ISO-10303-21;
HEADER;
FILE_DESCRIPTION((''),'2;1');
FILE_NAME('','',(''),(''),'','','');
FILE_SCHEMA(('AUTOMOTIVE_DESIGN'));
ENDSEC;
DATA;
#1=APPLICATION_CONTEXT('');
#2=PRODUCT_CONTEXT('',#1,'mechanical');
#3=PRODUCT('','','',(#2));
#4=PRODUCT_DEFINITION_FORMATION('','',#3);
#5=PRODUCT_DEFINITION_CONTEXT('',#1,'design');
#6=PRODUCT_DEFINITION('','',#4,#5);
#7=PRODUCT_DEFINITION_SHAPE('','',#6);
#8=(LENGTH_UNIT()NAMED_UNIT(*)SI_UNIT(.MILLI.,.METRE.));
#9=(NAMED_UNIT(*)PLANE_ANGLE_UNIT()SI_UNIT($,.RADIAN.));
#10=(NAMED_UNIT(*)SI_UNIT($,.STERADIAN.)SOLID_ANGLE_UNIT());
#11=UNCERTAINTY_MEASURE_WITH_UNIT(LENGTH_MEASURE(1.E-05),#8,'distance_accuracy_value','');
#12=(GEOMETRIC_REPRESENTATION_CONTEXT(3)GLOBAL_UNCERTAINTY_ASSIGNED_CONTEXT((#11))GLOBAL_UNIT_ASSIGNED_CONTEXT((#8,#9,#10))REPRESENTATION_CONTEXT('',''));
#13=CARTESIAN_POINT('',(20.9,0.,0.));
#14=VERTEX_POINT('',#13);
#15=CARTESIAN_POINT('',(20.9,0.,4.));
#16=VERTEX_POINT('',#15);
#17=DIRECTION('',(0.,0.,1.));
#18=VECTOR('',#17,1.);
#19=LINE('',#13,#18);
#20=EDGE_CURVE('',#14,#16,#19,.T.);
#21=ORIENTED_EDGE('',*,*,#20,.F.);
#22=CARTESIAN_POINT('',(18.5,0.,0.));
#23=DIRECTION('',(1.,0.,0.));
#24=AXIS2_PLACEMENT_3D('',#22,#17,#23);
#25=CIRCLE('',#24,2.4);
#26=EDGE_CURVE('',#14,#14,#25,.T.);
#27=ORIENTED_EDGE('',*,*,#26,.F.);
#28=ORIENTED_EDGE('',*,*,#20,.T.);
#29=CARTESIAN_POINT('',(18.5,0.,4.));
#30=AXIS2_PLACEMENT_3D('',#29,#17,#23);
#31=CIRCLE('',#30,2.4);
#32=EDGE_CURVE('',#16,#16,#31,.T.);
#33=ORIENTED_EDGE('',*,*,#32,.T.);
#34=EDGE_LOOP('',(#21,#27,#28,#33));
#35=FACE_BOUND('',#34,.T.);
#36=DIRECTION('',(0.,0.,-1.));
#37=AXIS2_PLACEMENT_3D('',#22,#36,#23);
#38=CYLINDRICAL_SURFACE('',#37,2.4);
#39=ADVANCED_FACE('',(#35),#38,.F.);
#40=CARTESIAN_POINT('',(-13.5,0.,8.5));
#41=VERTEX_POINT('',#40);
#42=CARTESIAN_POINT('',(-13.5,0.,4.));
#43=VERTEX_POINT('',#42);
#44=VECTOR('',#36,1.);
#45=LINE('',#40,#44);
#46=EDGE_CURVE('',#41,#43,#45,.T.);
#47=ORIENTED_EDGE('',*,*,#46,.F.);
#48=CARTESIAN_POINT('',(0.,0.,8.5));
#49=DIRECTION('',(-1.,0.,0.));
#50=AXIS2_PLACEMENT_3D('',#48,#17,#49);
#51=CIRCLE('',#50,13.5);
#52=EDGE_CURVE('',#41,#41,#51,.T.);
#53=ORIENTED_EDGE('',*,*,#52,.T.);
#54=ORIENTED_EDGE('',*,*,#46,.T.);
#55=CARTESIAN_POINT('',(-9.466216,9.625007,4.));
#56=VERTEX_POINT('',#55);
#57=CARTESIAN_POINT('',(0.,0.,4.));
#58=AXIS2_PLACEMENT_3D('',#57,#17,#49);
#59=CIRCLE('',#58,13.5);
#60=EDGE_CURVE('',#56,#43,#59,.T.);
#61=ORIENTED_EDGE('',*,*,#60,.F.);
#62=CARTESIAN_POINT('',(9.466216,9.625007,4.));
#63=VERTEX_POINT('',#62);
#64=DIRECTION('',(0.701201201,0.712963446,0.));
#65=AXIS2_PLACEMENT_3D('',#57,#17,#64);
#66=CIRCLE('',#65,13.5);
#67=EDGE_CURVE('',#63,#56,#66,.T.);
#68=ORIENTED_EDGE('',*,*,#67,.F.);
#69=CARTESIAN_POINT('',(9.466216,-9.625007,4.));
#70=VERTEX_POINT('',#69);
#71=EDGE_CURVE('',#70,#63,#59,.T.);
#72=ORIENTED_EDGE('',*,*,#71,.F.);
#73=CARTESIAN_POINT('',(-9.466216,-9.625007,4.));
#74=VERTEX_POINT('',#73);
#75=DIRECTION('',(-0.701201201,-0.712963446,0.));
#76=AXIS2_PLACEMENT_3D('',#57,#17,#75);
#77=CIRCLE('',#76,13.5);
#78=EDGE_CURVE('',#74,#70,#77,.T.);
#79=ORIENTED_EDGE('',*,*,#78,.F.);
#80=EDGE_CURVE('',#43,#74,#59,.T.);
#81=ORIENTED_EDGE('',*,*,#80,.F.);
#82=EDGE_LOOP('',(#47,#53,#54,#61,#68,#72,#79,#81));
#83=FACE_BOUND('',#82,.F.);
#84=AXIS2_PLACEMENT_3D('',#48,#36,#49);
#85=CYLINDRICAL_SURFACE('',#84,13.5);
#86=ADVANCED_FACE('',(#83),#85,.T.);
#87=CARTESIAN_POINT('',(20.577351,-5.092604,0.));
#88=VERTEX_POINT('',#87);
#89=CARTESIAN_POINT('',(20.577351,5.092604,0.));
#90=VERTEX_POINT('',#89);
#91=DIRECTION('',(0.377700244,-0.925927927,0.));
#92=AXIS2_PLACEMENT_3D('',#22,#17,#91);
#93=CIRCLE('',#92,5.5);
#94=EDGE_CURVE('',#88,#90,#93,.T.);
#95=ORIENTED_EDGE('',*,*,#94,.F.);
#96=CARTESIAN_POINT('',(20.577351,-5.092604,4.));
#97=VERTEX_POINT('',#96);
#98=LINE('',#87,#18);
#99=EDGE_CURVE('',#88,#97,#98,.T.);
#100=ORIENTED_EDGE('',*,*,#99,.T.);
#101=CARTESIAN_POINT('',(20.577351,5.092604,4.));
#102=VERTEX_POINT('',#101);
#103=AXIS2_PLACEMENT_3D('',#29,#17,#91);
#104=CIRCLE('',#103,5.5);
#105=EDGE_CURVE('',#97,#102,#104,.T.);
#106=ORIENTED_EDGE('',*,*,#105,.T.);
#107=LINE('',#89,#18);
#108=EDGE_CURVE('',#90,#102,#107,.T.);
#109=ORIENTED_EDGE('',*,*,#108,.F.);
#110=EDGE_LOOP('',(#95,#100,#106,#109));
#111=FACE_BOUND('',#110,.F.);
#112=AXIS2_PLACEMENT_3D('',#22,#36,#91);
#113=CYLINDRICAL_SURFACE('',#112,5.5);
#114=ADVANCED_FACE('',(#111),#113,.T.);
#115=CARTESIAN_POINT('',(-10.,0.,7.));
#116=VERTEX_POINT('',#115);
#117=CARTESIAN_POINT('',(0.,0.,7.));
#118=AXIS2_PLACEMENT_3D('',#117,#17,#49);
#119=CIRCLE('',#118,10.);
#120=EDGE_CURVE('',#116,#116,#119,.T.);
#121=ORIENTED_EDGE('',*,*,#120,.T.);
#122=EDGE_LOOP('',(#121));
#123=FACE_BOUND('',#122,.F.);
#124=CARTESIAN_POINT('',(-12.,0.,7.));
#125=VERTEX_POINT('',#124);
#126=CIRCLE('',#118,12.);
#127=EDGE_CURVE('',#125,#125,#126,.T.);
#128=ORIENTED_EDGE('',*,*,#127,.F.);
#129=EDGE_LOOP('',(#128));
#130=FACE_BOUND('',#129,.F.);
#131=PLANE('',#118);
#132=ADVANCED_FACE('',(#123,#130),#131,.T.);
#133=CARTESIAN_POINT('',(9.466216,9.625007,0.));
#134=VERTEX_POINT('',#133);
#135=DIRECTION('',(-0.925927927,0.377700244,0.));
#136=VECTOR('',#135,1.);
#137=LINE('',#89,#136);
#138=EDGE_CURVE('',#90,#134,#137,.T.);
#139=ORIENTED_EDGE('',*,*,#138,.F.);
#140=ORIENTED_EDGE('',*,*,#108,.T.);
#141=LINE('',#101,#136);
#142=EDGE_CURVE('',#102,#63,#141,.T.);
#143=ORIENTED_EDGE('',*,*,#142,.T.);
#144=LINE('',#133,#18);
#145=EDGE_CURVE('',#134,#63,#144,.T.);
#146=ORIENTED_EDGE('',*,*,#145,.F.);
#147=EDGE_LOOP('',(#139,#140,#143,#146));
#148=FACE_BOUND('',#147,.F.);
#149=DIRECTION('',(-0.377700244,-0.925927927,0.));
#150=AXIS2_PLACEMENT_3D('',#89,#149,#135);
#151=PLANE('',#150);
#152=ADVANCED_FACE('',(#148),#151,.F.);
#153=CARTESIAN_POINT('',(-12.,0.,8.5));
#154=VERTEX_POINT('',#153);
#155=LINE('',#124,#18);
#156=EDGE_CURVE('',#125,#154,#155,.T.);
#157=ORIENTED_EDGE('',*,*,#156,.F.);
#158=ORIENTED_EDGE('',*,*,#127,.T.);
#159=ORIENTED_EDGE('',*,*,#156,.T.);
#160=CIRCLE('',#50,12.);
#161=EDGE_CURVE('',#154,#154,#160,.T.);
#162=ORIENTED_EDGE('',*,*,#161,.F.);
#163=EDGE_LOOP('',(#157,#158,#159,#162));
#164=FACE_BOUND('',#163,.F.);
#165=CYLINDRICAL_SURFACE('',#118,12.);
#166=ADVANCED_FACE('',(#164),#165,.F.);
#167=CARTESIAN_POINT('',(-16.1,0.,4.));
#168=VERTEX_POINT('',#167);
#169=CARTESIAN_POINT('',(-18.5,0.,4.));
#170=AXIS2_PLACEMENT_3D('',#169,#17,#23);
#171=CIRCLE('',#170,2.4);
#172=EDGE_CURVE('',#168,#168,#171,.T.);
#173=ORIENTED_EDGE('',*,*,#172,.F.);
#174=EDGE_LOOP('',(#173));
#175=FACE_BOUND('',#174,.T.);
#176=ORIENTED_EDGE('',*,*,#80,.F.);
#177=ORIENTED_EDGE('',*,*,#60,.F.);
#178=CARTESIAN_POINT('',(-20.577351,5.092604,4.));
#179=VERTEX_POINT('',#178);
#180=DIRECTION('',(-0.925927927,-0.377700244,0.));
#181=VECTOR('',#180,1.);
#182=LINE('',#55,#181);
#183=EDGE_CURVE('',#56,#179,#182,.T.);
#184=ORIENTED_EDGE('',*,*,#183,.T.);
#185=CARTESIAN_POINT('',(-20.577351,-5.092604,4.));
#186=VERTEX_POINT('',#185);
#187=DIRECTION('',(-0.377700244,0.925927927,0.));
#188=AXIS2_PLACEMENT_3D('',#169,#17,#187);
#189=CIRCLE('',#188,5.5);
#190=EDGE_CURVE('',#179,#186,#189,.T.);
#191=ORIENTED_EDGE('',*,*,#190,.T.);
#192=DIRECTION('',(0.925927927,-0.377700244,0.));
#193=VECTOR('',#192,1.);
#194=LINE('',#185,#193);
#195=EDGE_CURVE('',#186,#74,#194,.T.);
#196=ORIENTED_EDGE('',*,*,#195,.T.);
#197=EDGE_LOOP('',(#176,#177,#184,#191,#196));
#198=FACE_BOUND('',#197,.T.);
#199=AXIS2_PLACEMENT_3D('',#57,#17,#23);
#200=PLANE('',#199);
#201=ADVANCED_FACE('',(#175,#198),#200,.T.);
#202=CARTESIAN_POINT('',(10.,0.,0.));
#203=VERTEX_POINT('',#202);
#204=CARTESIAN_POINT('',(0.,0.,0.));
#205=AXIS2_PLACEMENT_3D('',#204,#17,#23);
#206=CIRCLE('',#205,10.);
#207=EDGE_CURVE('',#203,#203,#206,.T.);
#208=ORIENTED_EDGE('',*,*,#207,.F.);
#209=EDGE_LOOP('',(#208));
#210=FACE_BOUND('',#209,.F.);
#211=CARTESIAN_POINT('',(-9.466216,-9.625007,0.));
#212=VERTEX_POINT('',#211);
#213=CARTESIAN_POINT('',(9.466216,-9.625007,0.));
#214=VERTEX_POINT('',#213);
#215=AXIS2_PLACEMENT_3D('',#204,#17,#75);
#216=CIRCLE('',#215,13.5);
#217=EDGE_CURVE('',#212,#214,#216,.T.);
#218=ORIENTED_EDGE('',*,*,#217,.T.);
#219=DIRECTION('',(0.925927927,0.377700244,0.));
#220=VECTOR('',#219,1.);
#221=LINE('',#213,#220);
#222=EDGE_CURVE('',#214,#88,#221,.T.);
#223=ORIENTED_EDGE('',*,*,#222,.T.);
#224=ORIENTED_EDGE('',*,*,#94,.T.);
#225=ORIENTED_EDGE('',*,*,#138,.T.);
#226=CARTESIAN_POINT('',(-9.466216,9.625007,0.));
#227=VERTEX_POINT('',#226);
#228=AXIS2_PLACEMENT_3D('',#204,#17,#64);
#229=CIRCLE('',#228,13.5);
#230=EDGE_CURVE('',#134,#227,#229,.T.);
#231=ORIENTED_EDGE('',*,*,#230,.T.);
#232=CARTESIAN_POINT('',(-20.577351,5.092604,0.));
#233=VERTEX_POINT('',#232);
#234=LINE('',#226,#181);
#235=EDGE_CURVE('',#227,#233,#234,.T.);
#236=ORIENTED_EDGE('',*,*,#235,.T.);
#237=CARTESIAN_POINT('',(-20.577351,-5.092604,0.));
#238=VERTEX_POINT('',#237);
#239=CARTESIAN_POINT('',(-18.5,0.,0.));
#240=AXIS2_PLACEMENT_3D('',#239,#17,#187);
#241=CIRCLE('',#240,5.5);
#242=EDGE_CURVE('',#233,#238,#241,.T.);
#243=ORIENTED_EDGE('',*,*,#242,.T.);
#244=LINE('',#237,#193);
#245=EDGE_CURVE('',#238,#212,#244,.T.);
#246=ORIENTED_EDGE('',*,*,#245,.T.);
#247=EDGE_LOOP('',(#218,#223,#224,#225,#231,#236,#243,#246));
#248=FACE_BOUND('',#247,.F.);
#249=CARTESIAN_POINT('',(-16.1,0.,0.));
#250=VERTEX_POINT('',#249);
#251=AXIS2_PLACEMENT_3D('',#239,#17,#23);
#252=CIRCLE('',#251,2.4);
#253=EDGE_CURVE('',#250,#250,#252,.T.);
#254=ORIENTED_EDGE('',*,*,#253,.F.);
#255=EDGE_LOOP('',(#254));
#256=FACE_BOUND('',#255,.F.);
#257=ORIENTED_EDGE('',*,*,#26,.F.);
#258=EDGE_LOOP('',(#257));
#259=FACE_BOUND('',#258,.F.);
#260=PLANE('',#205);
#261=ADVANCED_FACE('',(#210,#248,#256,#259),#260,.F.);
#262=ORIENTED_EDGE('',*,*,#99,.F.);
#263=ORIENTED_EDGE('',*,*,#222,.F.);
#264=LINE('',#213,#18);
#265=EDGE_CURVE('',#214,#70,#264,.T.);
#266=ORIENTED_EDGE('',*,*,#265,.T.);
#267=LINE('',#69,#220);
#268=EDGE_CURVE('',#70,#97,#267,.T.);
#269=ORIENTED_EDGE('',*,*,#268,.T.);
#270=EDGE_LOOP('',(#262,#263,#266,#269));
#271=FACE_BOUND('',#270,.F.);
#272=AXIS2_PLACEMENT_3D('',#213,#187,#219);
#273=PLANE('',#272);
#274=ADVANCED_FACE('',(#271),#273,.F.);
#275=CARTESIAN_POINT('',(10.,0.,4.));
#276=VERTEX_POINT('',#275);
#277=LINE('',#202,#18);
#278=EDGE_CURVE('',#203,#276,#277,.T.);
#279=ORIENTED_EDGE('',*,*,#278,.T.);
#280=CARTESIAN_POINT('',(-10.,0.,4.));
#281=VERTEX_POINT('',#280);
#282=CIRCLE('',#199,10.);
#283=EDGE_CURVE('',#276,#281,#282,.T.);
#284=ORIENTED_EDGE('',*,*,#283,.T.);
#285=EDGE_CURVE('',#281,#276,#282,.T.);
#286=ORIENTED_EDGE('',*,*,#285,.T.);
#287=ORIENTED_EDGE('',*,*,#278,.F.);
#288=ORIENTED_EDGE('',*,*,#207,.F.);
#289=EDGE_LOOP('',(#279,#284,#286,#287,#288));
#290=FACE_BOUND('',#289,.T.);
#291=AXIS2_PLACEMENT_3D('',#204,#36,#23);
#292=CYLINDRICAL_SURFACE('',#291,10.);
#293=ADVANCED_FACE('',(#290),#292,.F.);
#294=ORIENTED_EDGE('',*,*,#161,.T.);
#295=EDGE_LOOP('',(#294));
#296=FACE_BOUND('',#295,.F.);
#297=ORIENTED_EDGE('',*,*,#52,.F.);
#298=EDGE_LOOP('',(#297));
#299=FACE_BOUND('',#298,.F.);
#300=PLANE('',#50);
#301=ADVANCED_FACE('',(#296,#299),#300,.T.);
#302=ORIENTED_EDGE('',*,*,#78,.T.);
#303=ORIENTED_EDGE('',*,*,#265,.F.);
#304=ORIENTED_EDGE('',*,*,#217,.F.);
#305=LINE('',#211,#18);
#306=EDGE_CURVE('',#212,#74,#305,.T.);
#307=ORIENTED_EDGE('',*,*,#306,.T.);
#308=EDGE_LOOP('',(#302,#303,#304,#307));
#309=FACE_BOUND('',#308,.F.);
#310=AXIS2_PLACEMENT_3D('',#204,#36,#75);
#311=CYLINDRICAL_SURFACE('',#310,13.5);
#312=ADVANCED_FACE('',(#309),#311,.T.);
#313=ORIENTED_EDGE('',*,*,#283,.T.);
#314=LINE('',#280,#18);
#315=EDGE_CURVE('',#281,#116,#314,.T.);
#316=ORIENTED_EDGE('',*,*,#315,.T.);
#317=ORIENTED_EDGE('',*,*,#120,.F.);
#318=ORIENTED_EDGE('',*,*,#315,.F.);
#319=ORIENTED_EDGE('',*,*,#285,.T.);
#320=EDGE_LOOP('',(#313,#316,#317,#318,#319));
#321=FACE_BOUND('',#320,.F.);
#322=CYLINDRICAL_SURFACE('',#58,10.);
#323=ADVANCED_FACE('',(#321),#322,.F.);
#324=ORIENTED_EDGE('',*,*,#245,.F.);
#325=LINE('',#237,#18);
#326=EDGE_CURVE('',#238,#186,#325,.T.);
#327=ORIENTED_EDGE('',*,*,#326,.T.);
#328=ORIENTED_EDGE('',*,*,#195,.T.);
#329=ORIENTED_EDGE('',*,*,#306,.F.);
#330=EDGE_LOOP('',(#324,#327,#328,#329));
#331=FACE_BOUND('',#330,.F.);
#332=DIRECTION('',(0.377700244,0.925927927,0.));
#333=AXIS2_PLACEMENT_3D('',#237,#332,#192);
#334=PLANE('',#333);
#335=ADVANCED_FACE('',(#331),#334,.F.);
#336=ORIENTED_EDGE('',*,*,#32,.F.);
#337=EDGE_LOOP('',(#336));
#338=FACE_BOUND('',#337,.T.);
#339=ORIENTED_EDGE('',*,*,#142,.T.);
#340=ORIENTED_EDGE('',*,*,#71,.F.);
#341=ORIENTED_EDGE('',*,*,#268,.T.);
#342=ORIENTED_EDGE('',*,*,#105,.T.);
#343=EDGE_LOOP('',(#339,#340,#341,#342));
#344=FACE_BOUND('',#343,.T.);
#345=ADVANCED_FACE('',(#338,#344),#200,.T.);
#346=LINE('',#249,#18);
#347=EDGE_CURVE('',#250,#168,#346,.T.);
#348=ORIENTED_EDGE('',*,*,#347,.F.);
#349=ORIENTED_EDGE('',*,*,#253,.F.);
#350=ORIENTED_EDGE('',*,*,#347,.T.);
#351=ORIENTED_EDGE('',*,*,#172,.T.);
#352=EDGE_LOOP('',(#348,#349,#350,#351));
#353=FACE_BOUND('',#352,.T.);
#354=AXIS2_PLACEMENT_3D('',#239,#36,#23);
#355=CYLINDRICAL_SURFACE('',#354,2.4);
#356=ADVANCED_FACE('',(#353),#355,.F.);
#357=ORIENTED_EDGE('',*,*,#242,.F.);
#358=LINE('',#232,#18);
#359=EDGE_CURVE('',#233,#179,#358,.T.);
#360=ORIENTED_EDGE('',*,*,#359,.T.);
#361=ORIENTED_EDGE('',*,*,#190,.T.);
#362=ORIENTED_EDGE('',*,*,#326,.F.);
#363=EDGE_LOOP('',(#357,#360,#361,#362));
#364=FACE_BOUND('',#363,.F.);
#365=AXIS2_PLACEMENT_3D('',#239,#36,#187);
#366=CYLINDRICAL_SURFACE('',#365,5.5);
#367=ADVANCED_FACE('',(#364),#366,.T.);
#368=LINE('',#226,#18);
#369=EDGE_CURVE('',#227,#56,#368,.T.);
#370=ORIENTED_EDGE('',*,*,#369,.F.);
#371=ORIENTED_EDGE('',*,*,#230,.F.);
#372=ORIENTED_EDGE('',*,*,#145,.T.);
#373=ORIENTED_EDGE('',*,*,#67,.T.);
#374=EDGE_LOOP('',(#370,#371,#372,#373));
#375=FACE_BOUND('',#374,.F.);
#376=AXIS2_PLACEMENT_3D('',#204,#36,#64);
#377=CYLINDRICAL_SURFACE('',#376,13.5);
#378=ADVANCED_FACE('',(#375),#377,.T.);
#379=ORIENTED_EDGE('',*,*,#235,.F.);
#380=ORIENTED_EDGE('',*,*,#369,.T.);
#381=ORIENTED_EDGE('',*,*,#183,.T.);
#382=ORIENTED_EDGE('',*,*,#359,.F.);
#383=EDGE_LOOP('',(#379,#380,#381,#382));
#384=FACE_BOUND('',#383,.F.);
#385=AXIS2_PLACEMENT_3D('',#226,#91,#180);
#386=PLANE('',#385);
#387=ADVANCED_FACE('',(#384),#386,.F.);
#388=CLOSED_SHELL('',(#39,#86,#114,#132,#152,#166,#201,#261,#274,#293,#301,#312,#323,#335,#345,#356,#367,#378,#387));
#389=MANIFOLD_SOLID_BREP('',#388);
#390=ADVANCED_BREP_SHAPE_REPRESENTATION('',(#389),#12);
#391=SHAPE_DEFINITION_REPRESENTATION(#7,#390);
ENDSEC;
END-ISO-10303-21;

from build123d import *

# Parameters (mm, degrees)
F1_R     = 2.4
F1_R_2   = 10
F2_DEPTH = 4


with BuildPart() as f2:
    # F1 (on Top) → F2 (new body)
    with BuildSketch(Plane.XY):
        with BuildLine():
            Line((-20.57735134, -5.0926035984), (-9.4662162162, -9.625006522))
            ThreePointArc((-9.4662162162, -9.625006522), (0, -13.5), (9.4662162162, -9.625006522))
            Line((9.4662162162, -9.625006522), (20.57735134, -5.0926035984))
            ThreePointArc((20.57735134, -5.0926035984), (24, 0), (20.57735134, 5.0926035984))
            Line((20.57735134, 5.0926035984), (9.4662162162, 9.625006522))
            ThreePointArc((9.4662162162, 9.625006522), (0, 13.5), (-9.4662162162, 9.625006522))
            Line((-9.4662162162, 9.625006522), (-20.57735134, 5.0926035984))
            ThreePointArc((-20.57735134, 5.0926035984), (-24, 0), (-20.57735134, -5.0926035984))
        make_face()
        with Locations((-18.5, 0)):
            Circle(F1_R, mode=Mode.SUBTRACT)
        Circle(F1_R_2, mode=Mode.SUBTRACT)
        with Locations((18.5, 0)):
            Circle(F1_R, mode=Mode.SUBTRACT)
    extrude(amount=F2_DEPTH)

    # F3 (on Front) → F4 (revolve)
    with BuildSketch(Plane.XZ):
        Polygon((-13.5, 8.5), (-13.5, 4), (-10, 4), (-10, 7), (-12, 7), (-12, 8.5), align=None)
    revolve(axis=Axis((0, 0, 12.0315), (0, 0, 1)))


solid = f2.part
